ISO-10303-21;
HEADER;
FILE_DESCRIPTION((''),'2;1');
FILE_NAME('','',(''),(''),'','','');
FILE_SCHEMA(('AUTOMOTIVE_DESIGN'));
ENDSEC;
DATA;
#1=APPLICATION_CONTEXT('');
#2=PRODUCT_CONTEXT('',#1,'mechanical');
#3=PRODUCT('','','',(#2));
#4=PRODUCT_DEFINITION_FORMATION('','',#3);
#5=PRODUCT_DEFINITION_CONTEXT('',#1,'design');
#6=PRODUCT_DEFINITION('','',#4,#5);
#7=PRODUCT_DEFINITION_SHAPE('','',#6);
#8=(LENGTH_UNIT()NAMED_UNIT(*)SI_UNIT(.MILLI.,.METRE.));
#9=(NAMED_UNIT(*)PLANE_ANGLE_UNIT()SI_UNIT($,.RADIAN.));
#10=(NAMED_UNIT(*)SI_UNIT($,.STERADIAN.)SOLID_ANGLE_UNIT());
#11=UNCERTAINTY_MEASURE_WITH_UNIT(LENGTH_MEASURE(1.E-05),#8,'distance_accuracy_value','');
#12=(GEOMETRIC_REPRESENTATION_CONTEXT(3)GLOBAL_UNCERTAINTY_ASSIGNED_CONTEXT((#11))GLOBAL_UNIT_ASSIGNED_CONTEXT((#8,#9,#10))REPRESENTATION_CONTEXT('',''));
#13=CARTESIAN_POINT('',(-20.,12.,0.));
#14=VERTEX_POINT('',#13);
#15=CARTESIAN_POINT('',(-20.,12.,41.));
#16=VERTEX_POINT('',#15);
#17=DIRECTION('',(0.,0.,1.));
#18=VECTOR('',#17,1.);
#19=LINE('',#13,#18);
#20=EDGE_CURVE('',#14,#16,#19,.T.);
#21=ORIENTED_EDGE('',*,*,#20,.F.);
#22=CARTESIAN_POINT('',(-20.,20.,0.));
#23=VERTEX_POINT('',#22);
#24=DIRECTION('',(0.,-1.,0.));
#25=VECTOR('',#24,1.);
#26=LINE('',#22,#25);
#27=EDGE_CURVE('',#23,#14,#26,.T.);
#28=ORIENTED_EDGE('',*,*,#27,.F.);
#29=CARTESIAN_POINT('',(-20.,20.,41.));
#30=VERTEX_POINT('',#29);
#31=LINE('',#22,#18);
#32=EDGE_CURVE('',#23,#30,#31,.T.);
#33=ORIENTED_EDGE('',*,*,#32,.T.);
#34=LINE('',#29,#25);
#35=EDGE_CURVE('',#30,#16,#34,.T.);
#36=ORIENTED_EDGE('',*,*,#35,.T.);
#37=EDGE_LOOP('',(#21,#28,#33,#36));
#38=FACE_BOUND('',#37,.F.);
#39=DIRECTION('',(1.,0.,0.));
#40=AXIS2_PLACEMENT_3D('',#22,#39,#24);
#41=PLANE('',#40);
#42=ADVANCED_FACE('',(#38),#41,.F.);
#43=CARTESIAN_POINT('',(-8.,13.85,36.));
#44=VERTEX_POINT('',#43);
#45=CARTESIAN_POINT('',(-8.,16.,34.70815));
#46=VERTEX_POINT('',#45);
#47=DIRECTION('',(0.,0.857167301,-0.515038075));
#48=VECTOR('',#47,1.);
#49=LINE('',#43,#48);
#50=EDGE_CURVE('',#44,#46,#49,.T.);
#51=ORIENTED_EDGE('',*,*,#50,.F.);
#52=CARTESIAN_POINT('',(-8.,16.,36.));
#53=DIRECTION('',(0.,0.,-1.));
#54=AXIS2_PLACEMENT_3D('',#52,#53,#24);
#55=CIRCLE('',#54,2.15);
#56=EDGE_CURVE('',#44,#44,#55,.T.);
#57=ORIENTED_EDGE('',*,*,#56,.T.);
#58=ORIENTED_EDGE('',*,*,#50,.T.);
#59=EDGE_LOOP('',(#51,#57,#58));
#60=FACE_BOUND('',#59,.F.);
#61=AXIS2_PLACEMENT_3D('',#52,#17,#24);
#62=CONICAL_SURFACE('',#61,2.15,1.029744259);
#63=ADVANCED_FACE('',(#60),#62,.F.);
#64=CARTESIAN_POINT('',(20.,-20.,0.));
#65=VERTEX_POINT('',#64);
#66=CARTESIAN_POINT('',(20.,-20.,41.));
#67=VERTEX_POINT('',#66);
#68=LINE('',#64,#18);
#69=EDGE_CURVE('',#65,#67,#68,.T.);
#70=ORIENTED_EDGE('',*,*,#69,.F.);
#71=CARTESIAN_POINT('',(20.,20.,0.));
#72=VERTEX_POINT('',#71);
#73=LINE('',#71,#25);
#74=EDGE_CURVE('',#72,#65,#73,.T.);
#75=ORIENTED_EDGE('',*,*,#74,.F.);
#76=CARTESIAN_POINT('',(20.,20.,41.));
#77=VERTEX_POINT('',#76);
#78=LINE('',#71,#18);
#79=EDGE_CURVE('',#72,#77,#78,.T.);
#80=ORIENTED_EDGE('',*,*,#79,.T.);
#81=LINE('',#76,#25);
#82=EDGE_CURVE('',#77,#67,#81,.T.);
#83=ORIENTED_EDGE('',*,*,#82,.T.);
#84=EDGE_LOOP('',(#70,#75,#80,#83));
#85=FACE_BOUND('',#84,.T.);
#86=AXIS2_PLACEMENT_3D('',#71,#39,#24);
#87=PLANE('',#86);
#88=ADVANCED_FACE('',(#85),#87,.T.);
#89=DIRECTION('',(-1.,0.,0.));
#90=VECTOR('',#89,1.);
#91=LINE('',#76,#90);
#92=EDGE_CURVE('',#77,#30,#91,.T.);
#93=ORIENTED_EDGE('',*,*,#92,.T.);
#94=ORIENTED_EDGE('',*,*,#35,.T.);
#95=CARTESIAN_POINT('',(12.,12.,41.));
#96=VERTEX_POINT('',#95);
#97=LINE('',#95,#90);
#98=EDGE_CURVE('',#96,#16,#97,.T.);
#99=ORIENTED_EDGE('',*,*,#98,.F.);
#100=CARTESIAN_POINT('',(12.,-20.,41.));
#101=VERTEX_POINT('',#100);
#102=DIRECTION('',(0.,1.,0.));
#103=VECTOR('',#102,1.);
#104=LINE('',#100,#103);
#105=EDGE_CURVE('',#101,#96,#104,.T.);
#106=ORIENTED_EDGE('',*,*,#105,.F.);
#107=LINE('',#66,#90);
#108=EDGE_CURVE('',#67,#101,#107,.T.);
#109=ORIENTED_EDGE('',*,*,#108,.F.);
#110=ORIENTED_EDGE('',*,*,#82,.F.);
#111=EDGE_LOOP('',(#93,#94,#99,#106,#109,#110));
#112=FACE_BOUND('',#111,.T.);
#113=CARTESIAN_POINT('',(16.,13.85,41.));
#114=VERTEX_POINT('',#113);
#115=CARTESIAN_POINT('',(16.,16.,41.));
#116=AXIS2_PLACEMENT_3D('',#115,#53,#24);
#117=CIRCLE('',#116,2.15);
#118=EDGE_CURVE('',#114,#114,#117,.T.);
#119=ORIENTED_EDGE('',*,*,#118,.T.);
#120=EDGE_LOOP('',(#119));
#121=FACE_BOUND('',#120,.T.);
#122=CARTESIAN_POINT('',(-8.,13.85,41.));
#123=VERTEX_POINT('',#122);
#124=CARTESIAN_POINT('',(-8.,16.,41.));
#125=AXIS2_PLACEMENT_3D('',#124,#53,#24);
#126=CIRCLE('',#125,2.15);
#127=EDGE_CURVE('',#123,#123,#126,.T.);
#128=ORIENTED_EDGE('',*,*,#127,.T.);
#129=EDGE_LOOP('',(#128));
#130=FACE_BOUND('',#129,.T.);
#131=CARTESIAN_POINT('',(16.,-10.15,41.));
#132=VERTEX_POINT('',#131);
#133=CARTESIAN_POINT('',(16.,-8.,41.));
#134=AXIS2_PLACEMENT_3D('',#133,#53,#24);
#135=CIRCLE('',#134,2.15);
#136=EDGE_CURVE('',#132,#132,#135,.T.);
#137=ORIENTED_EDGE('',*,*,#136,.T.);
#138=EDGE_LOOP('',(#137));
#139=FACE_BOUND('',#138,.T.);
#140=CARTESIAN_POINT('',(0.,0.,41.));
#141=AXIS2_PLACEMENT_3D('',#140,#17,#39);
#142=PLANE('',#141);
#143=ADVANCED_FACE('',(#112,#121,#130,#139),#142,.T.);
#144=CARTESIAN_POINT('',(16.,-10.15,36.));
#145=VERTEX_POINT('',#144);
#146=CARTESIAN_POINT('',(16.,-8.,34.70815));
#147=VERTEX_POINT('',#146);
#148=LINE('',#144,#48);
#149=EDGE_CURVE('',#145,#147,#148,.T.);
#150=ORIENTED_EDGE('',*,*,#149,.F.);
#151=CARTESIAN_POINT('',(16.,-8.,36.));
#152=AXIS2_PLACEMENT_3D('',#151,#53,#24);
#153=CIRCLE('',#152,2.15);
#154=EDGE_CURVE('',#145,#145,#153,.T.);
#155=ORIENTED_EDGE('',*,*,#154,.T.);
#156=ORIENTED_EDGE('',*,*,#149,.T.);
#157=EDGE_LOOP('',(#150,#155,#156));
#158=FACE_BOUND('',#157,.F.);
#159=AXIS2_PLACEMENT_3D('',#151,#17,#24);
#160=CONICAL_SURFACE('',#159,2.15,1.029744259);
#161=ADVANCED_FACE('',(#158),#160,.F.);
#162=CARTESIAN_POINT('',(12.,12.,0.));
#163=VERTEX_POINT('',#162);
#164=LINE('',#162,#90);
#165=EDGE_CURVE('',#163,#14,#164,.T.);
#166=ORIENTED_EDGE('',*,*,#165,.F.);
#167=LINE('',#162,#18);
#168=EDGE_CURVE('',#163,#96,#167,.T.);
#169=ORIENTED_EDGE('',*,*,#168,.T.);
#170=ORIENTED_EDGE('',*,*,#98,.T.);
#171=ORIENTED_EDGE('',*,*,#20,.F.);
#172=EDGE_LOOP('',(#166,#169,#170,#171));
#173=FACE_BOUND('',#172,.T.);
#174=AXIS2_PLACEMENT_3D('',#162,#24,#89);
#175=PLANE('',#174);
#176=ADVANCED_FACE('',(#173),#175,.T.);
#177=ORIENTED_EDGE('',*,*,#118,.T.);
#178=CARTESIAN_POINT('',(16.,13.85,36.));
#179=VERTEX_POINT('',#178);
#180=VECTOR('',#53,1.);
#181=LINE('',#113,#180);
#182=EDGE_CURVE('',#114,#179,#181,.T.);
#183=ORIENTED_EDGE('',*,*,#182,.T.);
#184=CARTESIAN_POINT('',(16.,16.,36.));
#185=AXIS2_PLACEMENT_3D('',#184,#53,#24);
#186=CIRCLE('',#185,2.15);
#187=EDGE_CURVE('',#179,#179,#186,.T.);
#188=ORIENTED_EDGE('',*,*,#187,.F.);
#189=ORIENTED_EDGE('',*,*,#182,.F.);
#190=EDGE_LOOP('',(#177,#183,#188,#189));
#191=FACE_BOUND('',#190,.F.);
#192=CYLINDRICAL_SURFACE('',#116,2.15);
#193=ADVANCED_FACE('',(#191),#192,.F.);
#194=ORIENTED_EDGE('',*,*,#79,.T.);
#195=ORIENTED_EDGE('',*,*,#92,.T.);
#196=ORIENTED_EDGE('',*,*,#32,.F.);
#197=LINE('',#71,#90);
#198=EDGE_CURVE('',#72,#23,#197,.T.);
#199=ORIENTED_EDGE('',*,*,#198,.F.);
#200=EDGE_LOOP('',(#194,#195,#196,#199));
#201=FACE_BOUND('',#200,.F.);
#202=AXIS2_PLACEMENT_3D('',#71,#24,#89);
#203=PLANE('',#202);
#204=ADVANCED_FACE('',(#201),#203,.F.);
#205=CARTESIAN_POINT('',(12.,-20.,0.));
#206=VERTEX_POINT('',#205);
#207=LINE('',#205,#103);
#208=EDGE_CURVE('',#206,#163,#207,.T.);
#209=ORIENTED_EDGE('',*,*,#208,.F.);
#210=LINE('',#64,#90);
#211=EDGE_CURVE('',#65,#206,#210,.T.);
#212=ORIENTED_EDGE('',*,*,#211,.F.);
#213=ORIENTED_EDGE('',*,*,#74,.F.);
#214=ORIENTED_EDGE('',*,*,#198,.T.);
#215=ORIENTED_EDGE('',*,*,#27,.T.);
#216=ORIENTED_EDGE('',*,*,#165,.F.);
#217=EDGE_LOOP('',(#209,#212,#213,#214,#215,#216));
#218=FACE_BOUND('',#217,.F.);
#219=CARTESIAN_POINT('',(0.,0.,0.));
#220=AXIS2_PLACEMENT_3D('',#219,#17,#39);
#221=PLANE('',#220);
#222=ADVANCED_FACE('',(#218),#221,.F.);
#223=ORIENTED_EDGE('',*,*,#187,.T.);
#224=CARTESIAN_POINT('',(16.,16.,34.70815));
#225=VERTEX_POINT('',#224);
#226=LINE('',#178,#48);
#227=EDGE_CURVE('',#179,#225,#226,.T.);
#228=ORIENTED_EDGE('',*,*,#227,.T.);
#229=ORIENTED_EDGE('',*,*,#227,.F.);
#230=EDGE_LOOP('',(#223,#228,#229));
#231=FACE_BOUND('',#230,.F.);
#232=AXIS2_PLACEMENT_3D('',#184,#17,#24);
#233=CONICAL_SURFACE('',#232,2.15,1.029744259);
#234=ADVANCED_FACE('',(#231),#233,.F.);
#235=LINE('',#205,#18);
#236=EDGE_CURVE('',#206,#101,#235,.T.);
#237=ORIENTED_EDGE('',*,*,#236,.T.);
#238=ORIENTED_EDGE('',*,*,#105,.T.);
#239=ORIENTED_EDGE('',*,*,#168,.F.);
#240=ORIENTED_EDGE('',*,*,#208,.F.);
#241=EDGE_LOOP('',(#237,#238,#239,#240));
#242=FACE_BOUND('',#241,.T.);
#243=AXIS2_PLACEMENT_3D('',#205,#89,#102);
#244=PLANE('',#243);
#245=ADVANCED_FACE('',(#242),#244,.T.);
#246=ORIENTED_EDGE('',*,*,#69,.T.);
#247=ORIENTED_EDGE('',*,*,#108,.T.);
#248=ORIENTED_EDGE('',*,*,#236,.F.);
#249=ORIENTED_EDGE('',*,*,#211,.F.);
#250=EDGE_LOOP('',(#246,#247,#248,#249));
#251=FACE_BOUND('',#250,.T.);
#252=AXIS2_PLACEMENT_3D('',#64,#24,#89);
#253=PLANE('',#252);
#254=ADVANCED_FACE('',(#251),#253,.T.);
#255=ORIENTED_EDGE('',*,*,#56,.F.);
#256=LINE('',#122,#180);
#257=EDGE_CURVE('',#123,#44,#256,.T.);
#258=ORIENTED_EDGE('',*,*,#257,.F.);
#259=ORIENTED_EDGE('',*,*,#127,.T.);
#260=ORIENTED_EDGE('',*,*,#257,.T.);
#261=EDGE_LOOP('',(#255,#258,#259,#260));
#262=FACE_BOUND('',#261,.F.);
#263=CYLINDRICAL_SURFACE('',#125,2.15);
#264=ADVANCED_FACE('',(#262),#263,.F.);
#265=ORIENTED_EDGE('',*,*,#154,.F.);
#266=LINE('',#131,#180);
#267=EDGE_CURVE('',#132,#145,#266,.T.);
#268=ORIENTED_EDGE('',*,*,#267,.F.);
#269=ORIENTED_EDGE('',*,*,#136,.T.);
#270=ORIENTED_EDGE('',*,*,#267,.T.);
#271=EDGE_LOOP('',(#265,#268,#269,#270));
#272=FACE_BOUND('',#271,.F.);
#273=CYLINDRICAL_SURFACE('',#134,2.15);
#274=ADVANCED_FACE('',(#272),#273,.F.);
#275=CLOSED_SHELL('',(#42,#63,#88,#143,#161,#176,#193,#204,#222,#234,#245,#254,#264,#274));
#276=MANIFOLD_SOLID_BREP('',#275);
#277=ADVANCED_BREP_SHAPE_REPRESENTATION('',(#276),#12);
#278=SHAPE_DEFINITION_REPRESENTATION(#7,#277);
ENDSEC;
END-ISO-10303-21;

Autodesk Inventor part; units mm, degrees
ref_plane "YZ Plane" through (0, 0, 0) normal (1, 0, 0) x (0, 1, 0)
ref_plane "XZ Plane" through (0, 0, 0) normal (0, 1, 0) x (-1, 0, 0)
ref_plane "XY Plane" through (0, 0, 0) normal (0, 0, 1) x (1, 0, 0)
sketch "Sketch1" plane through (0, 0, 0) normal (0, 0, 1) x (1, 0, 0)
  line L0 (20, -20) -> (20, 20) construction
  line L1 (20, 20) -> (-20, 20) construction
  line L2 (-20, 20) -> (-20, -20) construction
  line L3 (-20, -20) -> (20, 20) construction
  line L4 (20, -20) -> (-20, 20) construction
  line L5 (20, 20) -> (-20, 20)
  line L6 (20, 20) -> (20, -20)
  line L7 (-20, -20) -> (20, -20) construction
  line L8 (20, -20) -> (12, -20)
  line L9 (12, -20) -> (12, 12)
  line L10 (12, 12) -> (-20, 12)
  line L11 (-20, 20) -> (-20, 12)
  point P0 (0, 0)
  dimension "d0" = 40
  dimension "d1" = 40
  dimension "d3" = 8
extrude "Extrusion1" add sketch "Sketch1" along normal blind 41
sketch "Sketch2" plane through (0, 0, 41) normal (0, 0, 1) x (1, 0, 0)
  line L0 (20, 20) -> (-20, 20) construction
  line L1 (20, 20) -> (20, 16) construction
  line L2 (20, -20) -> (20, 20) construction
  line L3 (20, 16) -> (16, 16) construction
  line L4 (16, 16) -> (-8, 16) construction
  line L5 (16, 16) -> (16, -8) construction
  point P0 (0, 0)
  dimension "d6" = 4
  dimension "d7" = 4
  dimension "d8" = 24
  dimension "d9" = 24
hole "Hole1" at (-8, 16, 41) at (16, 16, 41) at (16, -8, 41) direction (0, 0, -1) diameter 4.3 depth 5 tip angle 118
properties part number "MirroHouseModel" material "Steel, Carbon"
